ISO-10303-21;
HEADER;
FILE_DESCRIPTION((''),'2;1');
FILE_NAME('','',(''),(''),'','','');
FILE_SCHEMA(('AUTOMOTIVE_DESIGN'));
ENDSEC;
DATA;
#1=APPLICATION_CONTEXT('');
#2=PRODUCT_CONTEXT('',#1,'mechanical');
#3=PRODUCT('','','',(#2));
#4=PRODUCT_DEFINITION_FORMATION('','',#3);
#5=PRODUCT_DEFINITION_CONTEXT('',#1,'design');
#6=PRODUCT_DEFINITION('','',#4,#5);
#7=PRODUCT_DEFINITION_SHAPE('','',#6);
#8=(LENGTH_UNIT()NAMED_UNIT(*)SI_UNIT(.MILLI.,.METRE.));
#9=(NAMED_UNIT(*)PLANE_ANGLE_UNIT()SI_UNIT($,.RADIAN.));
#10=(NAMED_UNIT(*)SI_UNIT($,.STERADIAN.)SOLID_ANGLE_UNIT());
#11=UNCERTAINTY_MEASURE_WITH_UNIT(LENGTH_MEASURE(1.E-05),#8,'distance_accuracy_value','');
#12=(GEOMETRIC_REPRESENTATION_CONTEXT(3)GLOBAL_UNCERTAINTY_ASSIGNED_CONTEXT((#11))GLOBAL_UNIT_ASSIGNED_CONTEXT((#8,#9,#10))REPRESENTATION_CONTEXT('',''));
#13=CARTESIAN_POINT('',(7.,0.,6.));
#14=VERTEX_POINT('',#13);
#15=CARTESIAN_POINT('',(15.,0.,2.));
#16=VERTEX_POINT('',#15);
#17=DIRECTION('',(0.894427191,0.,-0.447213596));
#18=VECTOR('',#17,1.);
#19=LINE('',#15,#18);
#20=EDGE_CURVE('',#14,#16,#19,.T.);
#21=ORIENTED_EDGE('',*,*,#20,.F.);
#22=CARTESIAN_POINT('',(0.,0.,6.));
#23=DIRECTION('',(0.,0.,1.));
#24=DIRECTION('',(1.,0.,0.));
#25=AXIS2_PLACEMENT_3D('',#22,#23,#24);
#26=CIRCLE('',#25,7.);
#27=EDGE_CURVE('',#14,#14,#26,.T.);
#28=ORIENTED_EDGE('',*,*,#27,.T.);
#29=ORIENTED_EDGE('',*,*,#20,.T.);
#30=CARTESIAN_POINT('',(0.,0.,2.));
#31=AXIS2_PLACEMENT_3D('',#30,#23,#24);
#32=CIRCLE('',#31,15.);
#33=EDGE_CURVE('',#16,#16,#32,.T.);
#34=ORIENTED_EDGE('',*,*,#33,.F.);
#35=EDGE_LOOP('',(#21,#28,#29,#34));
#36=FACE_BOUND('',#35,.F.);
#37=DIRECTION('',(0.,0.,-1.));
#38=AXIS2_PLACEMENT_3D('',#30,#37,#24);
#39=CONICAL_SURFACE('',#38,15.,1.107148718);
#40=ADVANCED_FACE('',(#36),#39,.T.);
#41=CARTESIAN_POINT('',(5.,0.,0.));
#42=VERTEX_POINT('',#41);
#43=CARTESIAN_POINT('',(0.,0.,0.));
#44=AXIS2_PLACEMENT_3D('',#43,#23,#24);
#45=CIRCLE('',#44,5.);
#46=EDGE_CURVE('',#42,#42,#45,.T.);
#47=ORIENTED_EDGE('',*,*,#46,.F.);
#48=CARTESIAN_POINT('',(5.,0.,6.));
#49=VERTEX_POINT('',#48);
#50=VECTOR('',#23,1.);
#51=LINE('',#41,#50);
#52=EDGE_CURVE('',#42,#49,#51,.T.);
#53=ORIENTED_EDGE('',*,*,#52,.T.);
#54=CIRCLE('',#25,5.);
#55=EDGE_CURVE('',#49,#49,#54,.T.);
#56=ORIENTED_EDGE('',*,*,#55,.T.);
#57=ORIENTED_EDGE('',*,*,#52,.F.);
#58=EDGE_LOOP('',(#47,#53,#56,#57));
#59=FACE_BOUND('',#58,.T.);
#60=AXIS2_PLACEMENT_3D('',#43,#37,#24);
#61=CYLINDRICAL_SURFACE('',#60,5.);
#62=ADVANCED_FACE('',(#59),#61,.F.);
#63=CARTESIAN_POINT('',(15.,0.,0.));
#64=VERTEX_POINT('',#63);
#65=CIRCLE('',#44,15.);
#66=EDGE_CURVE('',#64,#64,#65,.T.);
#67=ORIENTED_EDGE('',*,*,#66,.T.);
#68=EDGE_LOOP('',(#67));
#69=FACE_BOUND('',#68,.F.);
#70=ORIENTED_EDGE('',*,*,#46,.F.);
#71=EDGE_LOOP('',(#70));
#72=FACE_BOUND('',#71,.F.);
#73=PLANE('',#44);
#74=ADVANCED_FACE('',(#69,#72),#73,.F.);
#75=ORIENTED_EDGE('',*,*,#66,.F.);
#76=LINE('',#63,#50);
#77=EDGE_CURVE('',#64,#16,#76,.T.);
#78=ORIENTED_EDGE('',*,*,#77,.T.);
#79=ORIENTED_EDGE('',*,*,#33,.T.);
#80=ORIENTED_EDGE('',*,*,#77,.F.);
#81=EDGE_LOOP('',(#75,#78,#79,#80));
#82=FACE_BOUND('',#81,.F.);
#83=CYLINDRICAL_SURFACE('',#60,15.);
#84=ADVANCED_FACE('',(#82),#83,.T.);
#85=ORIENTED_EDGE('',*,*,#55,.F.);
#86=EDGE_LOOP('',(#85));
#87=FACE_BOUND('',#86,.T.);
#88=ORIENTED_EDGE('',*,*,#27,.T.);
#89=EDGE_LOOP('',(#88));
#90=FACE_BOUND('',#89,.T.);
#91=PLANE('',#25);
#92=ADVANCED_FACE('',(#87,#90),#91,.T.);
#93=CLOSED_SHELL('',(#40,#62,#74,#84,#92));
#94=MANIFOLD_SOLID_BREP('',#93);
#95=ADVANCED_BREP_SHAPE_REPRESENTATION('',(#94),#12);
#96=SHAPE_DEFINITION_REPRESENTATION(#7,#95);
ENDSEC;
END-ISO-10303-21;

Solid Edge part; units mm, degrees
sketch "Sketch1" plane through (0, 0, 0) normal (0, 0, 1) x (1, 0, 0)
  circle A0 centre (0, 0) radius 15
  circle A1 centre (0, 0) radius 5
  dimension "D1" = 30
  dimension "D2" = 10
extrude "Protrusion1" add sketch "Sketch1" along normal blind 6
chamfer "Chamfer___body" distance 8 distance2 4 1 edges at (-15, 0, 6) measured on face at (-10.3, -9.7, 6)
properties material "ABS Plastic, high impact"
